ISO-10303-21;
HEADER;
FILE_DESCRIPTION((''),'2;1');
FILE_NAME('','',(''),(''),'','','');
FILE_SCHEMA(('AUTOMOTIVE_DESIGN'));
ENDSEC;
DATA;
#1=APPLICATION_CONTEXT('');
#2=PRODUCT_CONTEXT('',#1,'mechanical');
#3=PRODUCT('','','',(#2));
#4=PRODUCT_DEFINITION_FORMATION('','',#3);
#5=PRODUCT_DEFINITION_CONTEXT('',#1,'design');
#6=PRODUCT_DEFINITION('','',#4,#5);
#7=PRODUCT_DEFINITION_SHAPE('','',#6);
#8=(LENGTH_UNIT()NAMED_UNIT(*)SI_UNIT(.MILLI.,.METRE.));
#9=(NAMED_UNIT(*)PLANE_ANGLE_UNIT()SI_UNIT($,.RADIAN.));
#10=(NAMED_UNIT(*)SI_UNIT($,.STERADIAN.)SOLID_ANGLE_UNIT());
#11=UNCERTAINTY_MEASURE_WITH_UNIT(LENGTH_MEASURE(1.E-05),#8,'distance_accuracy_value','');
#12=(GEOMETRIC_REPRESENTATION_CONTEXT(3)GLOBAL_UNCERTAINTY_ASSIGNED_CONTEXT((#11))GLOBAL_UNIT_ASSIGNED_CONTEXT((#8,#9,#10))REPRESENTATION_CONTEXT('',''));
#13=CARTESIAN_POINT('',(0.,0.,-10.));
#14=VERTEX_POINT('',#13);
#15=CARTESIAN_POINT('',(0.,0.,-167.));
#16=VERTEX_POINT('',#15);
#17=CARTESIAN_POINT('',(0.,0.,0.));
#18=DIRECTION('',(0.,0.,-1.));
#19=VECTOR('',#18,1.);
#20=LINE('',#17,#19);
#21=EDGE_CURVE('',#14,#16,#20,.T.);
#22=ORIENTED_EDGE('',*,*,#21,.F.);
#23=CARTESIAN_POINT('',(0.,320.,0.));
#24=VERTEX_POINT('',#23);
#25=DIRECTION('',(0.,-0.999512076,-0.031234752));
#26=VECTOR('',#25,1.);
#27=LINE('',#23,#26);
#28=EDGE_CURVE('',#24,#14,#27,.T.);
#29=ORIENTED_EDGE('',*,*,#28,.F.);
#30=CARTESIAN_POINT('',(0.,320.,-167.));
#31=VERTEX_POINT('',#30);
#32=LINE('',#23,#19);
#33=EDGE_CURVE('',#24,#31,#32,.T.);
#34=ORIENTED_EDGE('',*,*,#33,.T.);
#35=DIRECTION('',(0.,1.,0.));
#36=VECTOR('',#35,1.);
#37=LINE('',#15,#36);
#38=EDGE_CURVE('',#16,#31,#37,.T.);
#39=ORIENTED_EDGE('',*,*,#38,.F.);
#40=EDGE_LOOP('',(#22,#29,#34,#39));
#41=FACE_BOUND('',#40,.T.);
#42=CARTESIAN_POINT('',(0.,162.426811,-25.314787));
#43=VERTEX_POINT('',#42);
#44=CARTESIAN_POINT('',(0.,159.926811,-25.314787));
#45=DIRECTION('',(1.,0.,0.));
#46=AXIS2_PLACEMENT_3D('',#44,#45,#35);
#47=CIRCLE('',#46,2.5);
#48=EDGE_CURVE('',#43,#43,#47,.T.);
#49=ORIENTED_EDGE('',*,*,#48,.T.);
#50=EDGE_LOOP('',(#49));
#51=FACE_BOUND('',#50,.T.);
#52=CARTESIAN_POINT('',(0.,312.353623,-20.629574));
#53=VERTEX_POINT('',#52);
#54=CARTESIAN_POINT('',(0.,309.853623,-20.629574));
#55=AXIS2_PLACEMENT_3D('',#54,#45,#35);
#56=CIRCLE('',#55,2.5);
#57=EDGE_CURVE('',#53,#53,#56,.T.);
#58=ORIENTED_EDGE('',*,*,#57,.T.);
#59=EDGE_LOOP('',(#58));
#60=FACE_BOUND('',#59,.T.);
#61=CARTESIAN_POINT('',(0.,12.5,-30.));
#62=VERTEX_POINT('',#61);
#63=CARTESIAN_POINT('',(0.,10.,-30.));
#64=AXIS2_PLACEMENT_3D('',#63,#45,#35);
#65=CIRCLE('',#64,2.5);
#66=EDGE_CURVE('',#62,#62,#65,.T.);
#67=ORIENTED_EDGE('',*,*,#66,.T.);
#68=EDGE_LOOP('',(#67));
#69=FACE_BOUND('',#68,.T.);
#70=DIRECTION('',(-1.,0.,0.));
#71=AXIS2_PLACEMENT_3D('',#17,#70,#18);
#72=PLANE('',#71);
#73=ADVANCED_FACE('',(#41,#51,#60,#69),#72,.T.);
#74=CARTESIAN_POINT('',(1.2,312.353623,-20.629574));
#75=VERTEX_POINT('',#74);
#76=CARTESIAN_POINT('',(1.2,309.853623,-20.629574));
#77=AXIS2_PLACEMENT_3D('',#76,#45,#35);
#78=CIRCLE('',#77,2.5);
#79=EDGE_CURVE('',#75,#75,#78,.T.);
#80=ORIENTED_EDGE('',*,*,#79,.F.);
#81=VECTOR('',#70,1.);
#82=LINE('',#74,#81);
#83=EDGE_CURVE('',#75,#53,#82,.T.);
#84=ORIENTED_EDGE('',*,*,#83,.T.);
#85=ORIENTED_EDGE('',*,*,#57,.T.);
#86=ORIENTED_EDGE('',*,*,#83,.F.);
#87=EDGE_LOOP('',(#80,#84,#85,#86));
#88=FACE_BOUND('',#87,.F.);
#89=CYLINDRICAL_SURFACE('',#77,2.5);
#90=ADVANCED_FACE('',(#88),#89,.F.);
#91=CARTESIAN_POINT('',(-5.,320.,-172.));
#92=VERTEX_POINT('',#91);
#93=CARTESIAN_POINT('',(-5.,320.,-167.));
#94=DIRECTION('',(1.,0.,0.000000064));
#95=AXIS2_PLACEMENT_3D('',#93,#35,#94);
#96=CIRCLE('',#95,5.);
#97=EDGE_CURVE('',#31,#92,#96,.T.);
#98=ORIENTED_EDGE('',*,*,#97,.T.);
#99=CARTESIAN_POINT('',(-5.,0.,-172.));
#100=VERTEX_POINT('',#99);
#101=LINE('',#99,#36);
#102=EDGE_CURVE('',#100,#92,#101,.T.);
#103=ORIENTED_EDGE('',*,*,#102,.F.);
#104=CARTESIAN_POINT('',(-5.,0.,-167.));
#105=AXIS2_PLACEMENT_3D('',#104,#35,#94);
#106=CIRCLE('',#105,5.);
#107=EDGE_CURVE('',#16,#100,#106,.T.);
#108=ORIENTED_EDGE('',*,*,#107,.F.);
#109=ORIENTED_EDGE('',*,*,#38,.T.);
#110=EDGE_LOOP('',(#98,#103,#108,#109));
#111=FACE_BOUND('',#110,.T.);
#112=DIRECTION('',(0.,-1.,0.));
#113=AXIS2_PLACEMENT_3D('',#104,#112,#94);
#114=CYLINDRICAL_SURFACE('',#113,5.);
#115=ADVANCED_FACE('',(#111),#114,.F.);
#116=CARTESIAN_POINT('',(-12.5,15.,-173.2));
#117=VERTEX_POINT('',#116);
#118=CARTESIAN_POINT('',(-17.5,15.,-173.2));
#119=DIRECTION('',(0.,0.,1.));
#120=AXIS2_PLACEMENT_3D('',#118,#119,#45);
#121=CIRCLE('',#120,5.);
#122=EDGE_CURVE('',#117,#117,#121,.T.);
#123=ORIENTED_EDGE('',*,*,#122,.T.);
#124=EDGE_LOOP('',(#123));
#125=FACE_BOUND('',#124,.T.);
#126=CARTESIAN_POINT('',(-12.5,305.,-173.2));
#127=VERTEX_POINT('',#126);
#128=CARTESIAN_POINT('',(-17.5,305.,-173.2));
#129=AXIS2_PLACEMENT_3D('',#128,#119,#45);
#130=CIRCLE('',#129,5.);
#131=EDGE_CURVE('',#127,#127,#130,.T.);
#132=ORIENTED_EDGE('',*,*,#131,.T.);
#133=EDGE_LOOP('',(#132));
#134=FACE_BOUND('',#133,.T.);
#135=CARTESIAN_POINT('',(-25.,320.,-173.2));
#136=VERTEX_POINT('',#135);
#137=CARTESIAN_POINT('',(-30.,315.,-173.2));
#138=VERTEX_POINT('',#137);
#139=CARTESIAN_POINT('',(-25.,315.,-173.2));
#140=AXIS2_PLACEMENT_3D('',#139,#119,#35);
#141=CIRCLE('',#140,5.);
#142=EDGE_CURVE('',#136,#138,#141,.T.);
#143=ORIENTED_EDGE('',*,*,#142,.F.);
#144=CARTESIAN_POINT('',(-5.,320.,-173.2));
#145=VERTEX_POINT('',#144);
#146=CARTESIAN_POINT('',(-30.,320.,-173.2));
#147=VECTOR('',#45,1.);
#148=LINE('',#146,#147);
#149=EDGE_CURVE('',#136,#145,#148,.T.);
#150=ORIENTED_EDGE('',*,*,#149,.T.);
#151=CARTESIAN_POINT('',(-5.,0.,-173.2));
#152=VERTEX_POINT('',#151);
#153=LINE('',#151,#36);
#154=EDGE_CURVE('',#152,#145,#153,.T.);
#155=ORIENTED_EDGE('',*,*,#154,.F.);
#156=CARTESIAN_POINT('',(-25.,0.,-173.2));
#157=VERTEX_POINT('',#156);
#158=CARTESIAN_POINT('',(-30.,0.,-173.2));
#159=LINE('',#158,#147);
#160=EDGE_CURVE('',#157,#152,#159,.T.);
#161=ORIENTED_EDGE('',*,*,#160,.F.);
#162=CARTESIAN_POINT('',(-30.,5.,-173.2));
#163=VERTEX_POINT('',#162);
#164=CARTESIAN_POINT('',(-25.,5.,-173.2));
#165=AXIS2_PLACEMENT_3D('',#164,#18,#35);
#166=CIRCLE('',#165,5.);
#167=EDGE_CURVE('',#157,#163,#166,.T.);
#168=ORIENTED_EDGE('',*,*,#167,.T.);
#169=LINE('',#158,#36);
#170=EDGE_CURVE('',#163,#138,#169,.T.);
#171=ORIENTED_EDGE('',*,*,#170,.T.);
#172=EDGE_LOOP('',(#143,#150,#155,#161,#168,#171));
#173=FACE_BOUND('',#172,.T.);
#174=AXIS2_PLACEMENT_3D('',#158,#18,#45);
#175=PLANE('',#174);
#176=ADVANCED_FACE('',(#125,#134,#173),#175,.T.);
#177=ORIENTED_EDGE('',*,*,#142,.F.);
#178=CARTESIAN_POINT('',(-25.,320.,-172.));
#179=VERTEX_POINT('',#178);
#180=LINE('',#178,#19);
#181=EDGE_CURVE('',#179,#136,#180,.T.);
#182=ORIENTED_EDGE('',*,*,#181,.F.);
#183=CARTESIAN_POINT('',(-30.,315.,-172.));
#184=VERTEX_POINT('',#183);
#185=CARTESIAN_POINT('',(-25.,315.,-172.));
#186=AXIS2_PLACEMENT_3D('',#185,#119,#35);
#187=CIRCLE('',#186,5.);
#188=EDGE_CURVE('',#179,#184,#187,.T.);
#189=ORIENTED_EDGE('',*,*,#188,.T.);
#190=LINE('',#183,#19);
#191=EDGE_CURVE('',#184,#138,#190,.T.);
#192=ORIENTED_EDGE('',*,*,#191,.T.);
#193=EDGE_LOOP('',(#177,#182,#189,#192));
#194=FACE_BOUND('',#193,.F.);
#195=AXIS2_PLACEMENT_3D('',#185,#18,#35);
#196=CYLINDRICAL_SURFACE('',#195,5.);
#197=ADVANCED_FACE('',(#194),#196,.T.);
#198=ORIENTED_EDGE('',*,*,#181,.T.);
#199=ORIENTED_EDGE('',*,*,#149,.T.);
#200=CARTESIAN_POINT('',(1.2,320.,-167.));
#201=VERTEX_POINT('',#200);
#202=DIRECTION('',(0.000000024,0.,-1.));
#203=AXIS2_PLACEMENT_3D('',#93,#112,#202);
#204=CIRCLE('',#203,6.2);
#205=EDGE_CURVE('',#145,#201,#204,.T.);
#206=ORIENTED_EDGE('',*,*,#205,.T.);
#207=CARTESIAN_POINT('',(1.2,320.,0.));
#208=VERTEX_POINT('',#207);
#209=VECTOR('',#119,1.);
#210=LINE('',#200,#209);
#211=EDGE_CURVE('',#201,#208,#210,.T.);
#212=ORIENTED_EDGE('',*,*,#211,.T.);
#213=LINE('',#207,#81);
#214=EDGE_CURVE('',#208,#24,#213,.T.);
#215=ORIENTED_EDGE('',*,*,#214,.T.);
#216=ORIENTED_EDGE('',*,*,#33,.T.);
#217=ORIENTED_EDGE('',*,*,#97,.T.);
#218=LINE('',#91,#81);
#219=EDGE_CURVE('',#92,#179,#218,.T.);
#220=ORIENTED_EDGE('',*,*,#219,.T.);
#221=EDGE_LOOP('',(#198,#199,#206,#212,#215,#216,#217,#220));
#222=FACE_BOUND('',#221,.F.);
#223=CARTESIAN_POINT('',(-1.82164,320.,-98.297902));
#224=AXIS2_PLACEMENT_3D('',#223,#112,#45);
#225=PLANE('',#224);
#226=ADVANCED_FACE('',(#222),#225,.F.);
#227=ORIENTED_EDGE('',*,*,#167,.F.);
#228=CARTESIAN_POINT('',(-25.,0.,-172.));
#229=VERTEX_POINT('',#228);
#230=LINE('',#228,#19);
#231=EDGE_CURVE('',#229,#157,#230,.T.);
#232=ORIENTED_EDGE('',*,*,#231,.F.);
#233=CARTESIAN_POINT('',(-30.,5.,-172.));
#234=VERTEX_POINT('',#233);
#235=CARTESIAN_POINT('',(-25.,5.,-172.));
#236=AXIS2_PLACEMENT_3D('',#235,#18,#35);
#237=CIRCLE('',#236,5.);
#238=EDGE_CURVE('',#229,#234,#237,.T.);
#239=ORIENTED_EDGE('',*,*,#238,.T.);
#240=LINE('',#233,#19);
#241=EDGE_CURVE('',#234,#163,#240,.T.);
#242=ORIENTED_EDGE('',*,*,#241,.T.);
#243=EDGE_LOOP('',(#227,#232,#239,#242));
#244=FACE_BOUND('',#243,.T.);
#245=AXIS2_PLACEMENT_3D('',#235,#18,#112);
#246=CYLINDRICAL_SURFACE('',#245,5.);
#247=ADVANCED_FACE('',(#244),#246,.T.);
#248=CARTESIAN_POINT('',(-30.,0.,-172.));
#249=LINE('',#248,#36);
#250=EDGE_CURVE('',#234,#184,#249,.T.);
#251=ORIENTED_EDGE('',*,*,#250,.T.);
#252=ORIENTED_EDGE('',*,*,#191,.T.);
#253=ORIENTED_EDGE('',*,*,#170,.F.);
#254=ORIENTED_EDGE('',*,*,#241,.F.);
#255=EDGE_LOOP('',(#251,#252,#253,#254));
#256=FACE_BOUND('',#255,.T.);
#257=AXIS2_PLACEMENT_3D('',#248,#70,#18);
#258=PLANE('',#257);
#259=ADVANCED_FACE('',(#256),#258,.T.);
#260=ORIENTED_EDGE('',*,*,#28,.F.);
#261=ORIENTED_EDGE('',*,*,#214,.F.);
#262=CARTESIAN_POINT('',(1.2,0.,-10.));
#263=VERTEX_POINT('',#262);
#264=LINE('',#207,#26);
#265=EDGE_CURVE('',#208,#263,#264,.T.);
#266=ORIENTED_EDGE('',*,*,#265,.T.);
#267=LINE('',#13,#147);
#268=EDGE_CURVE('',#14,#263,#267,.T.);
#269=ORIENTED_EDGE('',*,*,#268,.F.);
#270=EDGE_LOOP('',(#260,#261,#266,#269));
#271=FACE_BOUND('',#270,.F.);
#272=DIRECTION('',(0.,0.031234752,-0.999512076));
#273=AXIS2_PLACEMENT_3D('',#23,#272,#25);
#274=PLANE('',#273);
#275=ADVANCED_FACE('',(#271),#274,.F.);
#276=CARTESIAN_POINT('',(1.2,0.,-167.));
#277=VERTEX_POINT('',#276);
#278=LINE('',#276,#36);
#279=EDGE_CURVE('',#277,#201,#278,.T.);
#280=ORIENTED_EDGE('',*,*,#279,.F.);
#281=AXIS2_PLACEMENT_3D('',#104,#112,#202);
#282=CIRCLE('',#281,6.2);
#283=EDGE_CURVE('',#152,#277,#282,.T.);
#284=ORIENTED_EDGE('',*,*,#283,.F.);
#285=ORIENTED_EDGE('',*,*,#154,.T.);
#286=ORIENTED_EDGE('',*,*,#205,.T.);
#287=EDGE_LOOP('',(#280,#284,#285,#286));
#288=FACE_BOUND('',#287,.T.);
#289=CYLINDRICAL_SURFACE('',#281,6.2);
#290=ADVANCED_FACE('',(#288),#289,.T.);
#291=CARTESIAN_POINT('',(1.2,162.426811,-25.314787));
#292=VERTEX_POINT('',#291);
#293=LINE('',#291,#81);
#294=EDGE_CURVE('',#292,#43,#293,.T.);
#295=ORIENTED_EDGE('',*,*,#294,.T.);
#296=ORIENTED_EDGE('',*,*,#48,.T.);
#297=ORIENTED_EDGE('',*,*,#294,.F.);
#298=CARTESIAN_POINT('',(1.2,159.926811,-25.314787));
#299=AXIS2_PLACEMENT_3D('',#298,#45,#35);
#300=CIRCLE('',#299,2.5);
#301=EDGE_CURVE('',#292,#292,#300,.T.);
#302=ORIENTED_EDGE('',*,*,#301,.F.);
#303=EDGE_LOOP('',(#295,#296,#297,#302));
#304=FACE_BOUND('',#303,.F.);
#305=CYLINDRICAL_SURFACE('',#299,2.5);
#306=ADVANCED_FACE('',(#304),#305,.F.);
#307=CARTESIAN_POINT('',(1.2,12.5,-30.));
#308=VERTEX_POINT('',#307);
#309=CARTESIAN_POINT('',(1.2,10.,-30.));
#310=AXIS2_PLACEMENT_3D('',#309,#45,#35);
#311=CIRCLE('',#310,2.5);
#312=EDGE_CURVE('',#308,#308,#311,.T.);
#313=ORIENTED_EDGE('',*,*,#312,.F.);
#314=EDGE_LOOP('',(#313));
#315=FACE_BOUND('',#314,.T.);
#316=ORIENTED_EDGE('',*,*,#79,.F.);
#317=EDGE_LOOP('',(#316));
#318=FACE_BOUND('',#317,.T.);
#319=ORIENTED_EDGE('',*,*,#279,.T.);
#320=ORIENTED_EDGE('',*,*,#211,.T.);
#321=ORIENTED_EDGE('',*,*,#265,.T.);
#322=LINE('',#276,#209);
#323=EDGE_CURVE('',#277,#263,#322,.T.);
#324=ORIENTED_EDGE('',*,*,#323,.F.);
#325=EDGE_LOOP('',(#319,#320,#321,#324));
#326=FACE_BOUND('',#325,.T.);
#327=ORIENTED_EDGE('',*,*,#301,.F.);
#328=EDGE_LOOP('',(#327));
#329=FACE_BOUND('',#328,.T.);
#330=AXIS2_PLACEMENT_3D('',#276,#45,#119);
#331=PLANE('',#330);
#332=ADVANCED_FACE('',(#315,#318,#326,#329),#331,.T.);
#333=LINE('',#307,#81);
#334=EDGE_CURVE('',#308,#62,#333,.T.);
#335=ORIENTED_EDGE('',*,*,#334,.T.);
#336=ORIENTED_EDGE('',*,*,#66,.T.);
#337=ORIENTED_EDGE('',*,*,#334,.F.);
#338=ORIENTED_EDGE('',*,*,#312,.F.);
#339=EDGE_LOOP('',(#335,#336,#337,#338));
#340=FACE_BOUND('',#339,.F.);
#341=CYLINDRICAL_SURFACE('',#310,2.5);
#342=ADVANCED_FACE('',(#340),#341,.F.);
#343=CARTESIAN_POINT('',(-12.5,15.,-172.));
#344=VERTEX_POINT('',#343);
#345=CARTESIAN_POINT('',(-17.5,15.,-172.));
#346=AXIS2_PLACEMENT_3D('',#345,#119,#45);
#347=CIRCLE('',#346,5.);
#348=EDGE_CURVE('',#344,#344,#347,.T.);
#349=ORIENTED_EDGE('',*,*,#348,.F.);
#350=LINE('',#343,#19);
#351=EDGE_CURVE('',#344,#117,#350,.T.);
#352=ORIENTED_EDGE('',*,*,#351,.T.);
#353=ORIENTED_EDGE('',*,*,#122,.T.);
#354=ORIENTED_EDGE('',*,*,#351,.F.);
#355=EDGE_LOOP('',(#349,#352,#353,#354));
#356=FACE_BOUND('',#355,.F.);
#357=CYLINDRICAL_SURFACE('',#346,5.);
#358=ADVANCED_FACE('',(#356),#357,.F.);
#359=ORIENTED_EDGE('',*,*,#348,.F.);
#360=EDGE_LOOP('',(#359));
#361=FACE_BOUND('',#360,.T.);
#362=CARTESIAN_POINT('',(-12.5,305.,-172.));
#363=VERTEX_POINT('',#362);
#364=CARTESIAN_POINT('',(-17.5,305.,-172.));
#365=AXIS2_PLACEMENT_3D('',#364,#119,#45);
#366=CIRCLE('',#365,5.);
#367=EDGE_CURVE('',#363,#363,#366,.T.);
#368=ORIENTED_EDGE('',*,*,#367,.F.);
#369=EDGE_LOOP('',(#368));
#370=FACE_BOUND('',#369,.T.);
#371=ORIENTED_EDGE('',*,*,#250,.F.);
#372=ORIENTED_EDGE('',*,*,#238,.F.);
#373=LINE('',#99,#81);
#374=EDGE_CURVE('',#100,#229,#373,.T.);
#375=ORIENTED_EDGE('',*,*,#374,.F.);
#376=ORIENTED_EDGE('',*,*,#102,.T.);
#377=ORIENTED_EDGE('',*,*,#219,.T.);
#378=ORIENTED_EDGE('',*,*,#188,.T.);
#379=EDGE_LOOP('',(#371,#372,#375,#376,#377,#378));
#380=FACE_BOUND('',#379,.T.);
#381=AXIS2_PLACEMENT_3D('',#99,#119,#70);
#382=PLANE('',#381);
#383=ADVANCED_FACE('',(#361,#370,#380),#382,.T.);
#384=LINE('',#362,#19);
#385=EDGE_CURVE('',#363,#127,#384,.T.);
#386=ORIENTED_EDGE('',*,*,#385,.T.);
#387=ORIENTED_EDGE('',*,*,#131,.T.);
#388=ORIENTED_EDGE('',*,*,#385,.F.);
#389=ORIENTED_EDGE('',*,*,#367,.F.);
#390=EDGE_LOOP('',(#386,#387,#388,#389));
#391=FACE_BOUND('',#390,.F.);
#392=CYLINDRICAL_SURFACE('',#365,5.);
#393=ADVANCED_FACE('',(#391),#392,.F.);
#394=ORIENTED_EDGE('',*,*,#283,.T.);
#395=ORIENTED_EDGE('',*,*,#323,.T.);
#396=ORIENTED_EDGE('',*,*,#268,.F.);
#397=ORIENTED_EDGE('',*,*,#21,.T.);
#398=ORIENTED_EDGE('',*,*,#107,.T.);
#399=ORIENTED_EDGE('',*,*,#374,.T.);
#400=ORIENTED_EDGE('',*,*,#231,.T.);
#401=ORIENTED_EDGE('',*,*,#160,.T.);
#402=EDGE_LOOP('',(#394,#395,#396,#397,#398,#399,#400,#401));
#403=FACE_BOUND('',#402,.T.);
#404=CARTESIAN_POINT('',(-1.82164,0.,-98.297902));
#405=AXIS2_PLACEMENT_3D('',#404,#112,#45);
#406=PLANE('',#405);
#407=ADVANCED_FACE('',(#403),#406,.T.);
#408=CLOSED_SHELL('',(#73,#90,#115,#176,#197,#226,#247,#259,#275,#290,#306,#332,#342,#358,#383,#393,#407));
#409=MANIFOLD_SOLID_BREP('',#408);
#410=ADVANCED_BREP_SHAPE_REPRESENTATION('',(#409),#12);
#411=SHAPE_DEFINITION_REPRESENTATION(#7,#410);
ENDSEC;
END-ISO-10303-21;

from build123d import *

# Parameters (mm, degrees)
F1_DEPTH = 320
F2_R     = 5
F3_DEPTH = 1.2
F4_R     = 5
F6_DEPTH = 1.2
F7_R     = 2.5
F8_DEPTH = 2


with BuildPart() as f1:
    # F0 (on Front) → F1 (new body)
    with BuildSketch(Plane.XZ):
        with BuildLine():
            Line((1.2, 0), (0, 0))
            Line((0, 0), (0, -167))
            ThreePointArc((0, -167), (-1.464466, -170.535534), (-5, -172))
            Line((-5, -172), (-30, -172))
            Line((-30, -172), (-30, -173.2))
            Line((-30, -173.2), (-5, -173.2))
            ThreePointArc((-5, -173.2), (-0.615938, -171.384062), (1.2, -167))
            Line((1.2, -167), (1.2, 0))
        make_face()
    extrude(amount=-F1_DEPTH)

    # F2 (on face) → F3 (cut, through all)
    with BuildSketch(Plane.XY.offset(-172)):
        with Locations((-17.5, 305)):
            Circle(F2_R)
        with Locations((-17.5, 15)):
            Circle(F2_R)
    extrude(amount=-F3_DEPTH, mode=Mode.SUBTRACT)

    # F4
    f4_edges = [f1.edges().sort_by_distance(p)[0] for p in [
        (-30, 320, -172.6),
        (-30, 0, -172.6),
    ]]
    fillet(f4_edges, radius=F4_R)

    # F5 (on face) → F6 (cut, through all)
    with BuildSketch(Plane(origin=(0, 0, 0), x_dir=(0, -1, 0), z_dir=(-1, 0, 0))):
        Polygon((0, 0), (-320, 0), (0, -10), align=None)
    extrude(amount=-F6_DEPTH, mode=Mode.SUBTRACT)

    # F7 (on face) → F8 (cut)
    with BuildSketch(Plane.YZ.offset(1.2)):
        with Locations((10, -30)):
            Circle(F7_R)
        with Locations((159.926811, -25.314787)):
            Circle(F7_R)
        with Locations((309.853623, -20.629574)):
            Circle(F7_R)
    extrude(amount=-F8_DEPTH, mode=Mode.SUBTRACT)


solid = f1.part
